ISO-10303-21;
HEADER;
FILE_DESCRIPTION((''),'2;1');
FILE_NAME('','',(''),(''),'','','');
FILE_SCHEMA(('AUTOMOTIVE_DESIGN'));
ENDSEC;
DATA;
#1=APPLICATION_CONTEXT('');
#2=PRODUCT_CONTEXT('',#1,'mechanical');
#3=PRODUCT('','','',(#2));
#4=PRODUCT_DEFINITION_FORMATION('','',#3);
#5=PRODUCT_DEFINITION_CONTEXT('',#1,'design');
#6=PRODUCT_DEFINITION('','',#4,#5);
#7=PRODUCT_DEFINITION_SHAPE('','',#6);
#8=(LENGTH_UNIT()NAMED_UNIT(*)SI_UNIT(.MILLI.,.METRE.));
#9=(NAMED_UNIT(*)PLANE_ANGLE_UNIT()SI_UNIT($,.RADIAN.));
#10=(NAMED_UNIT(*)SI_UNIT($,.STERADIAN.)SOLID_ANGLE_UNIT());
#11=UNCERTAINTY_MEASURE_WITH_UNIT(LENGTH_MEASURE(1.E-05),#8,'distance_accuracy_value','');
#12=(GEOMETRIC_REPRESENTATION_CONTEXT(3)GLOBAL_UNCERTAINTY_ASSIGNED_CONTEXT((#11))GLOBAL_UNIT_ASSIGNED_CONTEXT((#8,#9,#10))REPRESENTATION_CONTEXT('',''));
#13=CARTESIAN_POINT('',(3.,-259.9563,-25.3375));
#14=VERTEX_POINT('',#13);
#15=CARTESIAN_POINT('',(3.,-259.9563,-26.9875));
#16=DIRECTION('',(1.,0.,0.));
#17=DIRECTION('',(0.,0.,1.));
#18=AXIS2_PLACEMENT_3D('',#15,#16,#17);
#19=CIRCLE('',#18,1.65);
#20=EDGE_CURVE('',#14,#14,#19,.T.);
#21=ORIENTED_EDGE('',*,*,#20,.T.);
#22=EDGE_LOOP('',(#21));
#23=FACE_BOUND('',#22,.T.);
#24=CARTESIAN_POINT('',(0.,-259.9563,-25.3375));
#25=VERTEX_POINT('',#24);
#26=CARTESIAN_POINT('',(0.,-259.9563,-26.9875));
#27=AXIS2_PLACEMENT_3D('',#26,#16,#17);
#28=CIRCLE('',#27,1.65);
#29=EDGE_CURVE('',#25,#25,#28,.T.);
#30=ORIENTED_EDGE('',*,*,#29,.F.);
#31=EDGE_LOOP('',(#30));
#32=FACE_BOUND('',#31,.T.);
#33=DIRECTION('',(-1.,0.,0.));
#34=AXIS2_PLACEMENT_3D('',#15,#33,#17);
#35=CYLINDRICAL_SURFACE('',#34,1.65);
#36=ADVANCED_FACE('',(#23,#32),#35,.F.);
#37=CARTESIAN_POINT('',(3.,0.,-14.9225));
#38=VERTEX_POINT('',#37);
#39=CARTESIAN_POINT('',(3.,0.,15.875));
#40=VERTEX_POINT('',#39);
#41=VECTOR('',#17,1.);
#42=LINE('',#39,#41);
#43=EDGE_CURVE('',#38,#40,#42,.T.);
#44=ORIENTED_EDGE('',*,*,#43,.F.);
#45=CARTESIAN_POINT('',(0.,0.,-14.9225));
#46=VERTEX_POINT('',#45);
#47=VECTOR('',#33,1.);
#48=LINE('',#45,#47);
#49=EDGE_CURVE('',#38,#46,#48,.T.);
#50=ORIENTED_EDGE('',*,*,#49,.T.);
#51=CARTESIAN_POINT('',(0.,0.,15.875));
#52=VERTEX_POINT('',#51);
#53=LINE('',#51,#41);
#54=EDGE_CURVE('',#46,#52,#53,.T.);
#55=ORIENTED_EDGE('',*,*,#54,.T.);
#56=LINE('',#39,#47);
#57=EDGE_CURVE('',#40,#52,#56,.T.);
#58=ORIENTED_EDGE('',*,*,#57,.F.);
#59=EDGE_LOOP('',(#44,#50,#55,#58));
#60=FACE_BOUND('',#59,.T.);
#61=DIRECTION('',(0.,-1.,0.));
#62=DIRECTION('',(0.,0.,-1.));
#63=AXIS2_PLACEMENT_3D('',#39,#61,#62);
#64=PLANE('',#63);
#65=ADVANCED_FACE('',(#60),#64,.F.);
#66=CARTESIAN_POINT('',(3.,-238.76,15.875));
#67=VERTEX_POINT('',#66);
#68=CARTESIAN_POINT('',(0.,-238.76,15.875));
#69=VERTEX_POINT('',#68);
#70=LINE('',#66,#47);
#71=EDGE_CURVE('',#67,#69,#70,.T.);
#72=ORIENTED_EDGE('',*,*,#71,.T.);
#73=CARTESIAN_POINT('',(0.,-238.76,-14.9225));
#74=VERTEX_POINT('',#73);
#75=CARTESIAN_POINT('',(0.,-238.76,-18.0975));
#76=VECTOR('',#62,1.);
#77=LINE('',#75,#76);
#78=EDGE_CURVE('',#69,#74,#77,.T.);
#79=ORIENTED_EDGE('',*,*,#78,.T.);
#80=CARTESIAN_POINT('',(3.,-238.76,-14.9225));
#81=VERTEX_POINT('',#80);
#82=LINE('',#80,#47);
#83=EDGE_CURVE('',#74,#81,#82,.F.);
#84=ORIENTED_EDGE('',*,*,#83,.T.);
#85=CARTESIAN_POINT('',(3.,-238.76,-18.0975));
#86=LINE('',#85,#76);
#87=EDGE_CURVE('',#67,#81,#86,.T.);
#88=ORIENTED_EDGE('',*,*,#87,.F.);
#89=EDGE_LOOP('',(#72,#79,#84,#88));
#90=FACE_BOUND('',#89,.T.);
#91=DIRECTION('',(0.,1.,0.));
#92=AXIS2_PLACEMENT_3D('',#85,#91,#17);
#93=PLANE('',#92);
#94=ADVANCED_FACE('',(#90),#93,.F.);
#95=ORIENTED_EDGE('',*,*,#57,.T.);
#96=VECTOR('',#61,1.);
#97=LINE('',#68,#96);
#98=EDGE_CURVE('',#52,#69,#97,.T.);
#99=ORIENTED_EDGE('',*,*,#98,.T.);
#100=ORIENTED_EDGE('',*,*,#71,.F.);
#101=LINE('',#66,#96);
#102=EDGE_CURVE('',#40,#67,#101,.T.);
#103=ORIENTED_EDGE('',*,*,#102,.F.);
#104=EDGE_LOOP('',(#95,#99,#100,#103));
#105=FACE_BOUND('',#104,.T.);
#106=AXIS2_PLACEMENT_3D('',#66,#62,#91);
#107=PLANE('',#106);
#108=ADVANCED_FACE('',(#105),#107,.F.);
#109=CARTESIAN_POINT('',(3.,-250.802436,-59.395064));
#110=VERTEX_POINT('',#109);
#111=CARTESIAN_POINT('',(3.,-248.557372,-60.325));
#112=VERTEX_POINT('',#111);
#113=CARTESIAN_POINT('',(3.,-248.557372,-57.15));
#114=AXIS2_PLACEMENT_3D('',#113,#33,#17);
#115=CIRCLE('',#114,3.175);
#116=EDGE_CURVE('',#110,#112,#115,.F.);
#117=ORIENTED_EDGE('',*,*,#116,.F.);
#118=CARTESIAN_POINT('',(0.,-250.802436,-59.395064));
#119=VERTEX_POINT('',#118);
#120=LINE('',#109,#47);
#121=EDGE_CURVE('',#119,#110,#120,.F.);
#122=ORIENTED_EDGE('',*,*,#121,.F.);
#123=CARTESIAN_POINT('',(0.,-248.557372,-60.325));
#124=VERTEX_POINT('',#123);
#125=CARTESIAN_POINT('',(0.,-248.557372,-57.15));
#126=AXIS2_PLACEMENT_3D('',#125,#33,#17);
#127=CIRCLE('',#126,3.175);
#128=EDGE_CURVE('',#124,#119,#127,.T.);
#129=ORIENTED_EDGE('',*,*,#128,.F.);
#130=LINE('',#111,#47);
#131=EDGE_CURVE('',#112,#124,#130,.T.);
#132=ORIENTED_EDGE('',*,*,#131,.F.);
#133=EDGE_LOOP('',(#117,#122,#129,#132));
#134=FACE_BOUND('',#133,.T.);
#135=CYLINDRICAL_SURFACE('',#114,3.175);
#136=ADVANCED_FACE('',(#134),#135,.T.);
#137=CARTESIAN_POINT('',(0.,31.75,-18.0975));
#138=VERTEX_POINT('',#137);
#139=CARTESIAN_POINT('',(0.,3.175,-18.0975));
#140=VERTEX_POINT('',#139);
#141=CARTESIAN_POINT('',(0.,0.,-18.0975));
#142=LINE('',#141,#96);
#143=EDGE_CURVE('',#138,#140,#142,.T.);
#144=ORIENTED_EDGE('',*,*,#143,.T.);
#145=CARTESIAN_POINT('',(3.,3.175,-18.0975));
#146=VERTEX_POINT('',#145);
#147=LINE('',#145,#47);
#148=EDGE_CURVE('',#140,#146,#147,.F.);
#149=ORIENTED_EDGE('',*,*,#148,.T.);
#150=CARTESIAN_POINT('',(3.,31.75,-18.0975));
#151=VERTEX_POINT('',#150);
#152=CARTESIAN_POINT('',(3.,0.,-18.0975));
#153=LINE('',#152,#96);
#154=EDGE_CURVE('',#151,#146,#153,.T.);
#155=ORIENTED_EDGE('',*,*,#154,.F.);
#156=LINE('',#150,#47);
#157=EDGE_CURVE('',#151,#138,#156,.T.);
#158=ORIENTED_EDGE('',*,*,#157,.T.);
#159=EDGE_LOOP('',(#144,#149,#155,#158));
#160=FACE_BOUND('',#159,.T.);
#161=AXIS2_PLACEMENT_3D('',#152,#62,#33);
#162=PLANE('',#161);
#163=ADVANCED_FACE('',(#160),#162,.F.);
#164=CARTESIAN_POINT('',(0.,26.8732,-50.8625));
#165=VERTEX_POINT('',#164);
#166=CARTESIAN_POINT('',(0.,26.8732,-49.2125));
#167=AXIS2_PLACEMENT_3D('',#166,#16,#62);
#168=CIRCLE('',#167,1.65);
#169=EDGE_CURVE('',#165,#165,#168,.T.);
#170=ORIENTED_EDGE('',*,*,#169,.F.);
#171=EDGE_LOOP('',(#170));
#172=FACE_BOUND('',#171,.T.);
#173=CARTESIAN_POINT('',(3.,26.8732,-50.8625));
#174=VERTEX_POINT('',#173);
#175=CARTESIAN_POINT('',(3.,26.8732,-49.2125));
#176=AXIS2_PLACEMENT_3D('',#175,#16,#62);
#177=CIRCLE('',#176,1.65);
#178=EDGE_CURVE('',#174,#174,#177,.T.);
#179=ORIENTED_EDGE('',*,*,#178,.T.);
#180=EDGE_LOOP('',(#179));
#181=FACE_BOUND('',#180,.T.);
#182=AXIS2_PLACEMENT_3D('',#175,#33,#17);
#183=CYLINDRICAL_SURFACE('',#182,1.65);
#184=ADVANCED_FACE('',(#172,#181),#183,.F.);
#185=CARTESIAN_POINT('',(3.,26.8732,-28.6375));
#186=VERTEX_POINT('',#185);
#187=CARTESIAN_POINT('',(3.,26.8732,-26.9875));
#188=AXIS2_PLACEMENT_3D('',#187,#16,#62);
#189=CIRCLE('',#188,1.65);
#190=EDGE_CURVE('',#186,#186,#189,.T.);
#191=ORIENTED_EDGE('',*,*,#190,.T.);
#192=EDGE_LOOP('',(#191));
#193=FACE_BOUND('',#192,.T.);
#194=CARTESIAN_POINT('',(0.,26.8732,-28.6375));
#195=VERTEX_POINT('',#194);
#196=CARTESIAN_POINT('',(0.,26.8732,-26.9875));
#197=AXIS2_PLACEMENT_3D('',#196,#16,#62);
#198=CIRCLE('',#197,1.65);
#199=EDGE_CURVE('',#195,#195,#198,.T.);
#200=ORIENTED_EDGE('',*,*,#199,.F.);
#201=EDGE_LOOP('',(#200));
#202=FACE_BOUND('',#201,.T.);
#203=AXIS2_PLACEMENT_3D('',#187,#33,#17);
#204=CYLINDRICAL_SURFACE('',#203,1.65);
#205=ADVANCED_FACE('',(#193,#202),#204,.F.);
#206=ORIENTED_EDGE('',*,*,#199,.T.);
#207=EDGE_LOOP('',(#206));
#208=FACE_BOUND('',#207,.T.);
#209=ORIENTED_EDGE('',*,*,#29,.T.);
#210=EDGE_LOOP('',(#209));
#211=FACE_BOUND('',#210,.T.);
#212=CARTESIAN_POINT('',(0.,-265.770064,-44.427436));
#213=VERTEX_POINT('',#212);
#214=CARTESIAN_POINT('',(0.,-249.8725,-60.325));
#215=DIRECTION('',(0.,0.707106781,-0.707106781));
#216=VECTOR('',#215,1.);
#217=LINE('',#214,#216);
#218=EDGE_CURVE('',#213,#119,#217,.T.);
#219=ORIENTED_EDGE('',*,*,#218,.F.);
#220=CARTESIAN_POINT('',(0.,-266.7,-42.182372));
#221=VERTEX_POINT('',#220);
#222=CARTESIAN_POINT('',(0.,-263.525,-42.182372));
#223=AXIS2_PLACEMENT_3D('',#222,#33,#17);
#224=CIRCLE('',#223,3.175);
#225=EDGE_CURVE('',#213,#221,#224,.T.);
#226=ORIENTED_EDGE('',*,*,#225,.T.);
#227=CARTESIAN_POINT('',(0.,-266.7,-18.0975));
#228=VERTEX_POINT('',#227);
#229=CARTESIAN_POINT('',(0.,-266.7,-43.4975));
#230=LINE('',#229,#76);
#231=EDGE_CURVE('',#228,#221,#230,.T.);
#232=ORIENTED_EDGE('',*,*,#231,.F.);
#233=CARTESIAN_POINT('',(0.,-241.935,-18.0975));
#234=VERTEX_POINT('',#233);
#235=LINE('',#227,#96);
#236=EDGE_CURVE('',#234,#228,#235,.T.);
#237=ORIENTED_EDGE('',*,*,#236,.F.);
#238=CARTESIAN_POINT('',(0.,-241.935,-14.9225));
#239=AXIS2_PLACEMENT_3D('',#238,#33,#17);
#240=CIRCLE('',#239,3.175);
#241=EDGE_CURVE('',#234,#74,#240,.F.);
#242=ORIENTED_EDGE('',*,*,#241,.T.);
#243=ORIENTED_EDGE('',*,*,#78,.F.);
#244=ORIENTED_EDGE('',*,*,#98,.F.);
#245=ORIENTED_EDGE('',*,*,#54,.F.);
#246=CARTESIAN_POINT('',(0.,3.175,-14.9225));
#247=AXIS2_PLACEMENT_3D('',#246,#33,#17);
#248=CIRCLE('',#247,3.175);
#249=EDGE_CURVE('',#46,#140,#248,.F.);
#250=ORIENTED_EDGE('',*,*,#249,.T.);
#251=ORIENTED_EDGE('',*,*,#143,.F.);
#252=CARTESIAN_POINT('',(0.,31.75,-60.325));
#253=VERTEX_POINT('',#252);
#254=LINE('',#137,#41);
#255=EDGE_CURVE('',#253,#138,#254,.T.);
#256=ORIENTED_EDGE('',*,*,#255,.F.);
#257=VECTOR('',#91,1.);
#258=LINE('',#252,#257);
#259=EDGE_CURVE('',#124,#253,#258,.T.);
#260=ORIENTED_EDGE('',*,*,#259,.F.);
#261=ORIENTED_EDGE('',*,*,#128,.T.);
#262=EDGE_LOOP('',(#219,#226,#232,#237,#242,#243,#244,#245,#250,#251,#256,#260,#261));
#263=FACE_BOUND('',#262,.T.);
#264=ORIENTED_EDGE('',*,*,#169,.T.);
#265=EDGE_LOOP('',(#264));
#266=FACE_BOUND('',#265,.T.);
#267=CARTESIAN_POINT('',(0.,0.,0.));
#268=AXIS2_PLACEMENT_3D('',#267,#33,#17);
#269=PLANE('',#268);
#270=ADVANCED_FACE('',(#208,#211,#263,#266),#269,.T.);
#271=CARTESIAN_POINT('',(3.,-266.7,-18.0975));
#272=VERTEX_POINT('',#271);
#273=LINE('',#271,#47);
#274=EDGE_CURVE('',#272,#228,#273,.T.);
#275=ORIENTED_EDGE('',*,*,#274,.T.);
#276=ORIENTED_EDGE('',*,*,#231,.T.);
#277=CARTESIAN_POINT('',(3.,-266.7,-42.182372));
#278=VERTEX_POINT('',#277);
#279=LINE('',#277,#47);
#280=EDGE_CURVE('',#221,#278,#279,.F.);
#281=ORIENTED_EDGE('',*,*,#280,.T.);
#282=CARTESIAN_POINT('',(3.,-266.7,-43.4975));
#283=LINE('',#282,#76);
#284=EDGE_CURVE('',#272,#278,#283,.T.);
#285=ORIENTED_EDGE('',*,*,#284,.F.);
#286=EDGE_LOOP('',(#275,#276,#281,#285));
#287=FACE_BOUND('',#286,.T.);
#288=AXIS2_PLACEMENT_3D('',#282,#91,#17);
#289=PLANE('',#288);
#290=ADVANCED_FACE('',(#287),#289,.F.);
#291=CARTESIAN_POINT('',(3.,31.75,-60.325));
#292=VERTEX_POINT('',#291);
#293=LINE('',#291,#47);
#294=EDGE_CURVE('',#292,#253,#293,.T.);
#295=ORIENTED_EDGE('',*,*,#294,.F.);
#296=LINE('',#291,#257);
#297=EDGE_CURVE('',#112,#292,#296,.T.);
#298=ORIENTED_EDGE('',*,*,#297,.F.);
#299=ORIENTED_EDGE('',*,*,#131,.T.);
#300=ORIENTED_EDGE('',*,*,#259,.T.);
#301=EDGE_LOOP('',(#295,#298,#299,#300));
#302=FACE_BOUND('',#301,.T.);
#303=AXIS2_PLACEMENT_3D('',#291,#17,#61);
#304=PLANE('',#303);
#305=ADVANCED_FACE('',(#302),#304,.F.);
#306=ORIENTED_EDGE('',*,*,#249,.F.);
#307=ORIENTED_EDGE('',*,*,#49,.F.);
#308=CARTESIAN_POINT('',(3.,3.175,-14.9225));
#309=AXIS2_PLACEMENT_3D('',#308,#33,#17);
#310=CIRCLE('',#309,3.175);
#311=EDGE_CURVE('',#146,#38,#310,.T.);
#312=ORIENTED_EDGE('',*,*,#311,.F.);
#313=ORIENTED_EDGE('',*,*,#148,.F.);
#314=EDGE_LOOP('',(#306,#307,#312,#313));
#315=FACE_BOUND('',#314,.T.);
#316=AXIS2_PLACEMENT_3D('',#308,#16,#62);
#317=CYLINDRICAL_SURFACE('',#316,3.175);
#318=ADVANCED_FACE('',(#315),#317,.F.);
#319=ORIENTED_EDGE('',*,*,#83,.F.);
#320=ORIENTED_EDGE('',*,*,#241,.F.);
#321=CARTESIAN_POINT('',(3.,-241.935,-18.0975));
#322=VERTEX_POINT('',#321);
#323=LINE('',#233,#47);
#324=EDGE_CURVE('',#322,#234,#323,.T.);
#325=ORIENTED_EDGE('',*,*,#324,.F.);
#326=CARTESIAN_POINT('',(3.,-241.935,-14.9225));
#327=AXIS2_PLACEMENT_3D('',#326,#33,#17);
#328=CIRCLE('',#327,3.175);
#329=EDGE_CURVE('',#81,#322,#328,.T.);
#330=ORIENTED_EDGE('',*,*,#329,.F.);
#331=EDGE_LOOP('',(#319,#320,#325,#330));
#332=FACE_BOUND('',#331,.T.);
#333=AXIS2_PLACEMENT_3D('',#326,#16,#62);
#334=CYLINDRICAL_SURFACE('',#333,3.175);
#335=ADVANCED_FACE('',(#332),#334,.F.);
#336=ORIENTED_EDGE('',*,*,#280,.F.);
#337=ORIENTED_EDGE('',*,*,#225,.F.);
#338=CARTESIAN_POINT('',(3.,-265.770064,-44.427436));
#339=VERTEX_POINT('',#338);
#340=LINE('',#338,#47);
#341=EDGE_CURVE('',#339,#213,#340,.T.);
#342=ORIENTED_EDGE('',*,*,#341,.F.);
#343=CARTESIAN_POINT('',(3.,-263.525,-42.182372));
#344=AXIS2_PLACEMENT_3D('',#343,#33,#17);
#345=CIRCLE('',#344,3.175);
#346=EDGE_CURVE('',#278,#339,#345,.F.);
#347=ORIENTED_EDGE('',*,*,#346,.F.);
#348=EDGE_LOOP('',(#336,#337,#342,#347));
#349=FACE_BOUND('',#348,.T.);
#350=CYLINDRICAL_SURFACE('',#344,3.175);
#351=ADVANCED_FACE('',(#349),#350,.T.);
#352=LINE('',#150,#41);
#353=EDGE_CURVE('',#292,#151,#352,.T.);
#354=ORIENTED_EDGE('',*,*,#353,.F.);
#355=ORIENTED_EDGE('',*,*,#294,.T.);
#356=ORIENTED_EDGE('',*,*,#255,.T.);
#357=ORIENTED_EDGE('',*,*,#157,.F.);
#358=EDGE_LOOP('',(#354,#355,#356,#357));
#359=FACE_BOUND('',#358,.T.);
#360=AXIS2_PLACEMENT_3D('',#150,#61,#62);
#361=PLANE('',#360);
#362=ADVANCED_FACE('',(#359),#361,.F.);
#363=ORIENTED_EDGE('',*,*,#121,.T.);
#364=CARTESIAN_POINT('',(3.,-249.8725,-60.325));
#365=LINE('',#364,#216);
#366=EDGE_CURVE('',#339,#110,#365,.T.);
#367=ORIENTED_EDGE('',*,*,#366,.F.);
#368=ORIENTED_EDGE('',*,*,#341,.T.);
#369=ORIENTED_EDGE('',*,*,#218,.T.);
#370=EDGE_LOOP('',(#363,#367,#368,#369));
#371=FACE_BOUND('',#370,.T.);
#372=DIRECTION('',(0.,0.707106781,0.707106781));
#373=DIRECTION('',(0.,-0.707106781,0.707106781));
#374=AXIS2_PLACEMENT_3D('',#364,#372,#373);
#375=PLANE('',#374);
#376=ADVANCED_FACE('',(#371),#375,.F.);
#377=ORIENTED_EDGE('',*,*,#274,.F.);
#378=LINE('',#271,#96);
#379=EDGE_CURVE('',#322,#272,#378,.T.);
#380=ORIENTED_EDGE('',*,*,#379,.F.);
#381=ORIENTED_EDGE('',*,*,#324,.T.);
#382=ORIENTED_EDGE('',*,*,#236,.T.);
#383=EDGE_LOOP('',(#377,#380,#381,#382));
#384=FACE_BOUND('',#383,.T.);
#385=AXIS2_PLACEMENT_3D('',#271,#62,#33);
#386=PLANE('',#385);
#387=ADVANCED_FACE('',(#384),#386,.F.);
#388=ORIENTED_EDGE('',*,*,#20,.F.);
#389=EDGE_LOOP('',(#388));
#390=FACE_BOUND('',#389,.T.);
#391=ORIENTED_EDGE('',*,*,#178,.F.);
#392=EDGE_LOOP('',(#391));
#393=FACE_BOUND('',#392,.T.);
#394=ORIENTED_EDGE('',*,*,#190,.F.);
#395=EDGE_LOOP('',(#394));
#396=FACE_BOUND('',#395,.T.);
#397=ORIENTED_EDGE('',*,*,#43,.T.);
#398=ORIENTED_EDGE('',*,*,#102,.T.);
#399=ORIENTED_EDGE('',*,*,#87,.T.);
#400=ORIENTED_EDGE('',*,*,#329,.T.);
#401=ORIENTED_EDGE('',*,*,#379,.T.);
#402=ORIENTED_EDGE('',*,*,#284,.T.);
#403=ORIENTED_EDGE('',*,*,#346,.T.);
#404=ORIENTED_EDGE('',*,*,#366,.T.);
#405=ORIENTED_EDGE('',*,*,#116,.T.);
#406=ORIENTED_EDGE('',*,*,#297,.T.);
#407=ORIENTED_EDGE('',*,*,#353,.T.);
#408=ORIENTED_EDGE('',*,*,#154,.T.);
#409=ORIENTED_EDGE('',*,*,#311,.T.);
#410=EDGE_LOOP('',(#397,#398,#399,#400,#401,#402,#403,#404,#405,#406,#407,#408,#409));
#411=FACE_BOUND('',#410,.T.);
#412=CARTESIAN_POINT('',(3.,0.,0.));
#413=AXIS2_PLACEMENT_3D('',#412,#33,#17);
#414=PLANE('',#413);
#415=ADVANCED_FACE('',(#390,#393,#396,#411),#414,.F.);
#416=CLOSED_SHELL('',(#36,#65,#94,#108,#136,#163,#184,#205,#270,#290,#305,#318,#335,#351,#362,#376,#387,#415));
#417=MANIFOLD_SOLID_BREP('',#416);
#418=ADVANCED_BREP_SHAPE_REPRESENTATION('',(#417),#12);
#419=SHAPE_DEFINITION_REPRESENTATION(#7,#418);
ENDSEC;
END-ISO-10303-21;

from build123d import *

# Parameters (mm, degrees)
SKETCH1_R           = 1.65
BOSS_EXTRUDE1_DEPTH = 3
FILLET1_R           = 3.175


with BuildPart() as part:
    # Sketch1 → Boss-Extrude1 (new body)
    with BuildSketch(Plane(origin=(0, 0, 0), x_dir=(0, 0, -1), z_dir=(1, 0, 0))):
        Polygon((-15.875, 0), (18.0975, 0), (18.0975, 31.75), (60.325, 31.75), (60.325, -249.8725), (43.4975, -266.7), (18.0975, -266.7), (18.0975, -238.76), (-15.875, -238.76), align=None)
        with Locations((26.9875, 26.8732)):
            Circle(SKETCH1_R, mode=Mode.SUBTRACT)
        with Locations((49.2125, 26.8732)):
            Circle(SKETCH1_R, mode=Mode.SUBTRACT)
        with Locations(Location((26.9875, -259.9563, 0), (0, 0, 180))):
            Circle(SKETCH1_R, mode=Mode.SUBTRACT)
    extrude(amount=BOSS_EXTRUDE1_DEPTH)

    # Fillet1
    fillet1_edges = [part.edges().sort_by_distance(p)[0] for p in [
        (1.5, 0, -18.0975),
        (1.5, -249.8725, -60.325),
        (1.5, -266.7, -43.4975),
        (1.5, -238.76, -18.0975),
    ]]
    fillet(fillet1_edges, radius=FILLET1_R)


solid = part.part
